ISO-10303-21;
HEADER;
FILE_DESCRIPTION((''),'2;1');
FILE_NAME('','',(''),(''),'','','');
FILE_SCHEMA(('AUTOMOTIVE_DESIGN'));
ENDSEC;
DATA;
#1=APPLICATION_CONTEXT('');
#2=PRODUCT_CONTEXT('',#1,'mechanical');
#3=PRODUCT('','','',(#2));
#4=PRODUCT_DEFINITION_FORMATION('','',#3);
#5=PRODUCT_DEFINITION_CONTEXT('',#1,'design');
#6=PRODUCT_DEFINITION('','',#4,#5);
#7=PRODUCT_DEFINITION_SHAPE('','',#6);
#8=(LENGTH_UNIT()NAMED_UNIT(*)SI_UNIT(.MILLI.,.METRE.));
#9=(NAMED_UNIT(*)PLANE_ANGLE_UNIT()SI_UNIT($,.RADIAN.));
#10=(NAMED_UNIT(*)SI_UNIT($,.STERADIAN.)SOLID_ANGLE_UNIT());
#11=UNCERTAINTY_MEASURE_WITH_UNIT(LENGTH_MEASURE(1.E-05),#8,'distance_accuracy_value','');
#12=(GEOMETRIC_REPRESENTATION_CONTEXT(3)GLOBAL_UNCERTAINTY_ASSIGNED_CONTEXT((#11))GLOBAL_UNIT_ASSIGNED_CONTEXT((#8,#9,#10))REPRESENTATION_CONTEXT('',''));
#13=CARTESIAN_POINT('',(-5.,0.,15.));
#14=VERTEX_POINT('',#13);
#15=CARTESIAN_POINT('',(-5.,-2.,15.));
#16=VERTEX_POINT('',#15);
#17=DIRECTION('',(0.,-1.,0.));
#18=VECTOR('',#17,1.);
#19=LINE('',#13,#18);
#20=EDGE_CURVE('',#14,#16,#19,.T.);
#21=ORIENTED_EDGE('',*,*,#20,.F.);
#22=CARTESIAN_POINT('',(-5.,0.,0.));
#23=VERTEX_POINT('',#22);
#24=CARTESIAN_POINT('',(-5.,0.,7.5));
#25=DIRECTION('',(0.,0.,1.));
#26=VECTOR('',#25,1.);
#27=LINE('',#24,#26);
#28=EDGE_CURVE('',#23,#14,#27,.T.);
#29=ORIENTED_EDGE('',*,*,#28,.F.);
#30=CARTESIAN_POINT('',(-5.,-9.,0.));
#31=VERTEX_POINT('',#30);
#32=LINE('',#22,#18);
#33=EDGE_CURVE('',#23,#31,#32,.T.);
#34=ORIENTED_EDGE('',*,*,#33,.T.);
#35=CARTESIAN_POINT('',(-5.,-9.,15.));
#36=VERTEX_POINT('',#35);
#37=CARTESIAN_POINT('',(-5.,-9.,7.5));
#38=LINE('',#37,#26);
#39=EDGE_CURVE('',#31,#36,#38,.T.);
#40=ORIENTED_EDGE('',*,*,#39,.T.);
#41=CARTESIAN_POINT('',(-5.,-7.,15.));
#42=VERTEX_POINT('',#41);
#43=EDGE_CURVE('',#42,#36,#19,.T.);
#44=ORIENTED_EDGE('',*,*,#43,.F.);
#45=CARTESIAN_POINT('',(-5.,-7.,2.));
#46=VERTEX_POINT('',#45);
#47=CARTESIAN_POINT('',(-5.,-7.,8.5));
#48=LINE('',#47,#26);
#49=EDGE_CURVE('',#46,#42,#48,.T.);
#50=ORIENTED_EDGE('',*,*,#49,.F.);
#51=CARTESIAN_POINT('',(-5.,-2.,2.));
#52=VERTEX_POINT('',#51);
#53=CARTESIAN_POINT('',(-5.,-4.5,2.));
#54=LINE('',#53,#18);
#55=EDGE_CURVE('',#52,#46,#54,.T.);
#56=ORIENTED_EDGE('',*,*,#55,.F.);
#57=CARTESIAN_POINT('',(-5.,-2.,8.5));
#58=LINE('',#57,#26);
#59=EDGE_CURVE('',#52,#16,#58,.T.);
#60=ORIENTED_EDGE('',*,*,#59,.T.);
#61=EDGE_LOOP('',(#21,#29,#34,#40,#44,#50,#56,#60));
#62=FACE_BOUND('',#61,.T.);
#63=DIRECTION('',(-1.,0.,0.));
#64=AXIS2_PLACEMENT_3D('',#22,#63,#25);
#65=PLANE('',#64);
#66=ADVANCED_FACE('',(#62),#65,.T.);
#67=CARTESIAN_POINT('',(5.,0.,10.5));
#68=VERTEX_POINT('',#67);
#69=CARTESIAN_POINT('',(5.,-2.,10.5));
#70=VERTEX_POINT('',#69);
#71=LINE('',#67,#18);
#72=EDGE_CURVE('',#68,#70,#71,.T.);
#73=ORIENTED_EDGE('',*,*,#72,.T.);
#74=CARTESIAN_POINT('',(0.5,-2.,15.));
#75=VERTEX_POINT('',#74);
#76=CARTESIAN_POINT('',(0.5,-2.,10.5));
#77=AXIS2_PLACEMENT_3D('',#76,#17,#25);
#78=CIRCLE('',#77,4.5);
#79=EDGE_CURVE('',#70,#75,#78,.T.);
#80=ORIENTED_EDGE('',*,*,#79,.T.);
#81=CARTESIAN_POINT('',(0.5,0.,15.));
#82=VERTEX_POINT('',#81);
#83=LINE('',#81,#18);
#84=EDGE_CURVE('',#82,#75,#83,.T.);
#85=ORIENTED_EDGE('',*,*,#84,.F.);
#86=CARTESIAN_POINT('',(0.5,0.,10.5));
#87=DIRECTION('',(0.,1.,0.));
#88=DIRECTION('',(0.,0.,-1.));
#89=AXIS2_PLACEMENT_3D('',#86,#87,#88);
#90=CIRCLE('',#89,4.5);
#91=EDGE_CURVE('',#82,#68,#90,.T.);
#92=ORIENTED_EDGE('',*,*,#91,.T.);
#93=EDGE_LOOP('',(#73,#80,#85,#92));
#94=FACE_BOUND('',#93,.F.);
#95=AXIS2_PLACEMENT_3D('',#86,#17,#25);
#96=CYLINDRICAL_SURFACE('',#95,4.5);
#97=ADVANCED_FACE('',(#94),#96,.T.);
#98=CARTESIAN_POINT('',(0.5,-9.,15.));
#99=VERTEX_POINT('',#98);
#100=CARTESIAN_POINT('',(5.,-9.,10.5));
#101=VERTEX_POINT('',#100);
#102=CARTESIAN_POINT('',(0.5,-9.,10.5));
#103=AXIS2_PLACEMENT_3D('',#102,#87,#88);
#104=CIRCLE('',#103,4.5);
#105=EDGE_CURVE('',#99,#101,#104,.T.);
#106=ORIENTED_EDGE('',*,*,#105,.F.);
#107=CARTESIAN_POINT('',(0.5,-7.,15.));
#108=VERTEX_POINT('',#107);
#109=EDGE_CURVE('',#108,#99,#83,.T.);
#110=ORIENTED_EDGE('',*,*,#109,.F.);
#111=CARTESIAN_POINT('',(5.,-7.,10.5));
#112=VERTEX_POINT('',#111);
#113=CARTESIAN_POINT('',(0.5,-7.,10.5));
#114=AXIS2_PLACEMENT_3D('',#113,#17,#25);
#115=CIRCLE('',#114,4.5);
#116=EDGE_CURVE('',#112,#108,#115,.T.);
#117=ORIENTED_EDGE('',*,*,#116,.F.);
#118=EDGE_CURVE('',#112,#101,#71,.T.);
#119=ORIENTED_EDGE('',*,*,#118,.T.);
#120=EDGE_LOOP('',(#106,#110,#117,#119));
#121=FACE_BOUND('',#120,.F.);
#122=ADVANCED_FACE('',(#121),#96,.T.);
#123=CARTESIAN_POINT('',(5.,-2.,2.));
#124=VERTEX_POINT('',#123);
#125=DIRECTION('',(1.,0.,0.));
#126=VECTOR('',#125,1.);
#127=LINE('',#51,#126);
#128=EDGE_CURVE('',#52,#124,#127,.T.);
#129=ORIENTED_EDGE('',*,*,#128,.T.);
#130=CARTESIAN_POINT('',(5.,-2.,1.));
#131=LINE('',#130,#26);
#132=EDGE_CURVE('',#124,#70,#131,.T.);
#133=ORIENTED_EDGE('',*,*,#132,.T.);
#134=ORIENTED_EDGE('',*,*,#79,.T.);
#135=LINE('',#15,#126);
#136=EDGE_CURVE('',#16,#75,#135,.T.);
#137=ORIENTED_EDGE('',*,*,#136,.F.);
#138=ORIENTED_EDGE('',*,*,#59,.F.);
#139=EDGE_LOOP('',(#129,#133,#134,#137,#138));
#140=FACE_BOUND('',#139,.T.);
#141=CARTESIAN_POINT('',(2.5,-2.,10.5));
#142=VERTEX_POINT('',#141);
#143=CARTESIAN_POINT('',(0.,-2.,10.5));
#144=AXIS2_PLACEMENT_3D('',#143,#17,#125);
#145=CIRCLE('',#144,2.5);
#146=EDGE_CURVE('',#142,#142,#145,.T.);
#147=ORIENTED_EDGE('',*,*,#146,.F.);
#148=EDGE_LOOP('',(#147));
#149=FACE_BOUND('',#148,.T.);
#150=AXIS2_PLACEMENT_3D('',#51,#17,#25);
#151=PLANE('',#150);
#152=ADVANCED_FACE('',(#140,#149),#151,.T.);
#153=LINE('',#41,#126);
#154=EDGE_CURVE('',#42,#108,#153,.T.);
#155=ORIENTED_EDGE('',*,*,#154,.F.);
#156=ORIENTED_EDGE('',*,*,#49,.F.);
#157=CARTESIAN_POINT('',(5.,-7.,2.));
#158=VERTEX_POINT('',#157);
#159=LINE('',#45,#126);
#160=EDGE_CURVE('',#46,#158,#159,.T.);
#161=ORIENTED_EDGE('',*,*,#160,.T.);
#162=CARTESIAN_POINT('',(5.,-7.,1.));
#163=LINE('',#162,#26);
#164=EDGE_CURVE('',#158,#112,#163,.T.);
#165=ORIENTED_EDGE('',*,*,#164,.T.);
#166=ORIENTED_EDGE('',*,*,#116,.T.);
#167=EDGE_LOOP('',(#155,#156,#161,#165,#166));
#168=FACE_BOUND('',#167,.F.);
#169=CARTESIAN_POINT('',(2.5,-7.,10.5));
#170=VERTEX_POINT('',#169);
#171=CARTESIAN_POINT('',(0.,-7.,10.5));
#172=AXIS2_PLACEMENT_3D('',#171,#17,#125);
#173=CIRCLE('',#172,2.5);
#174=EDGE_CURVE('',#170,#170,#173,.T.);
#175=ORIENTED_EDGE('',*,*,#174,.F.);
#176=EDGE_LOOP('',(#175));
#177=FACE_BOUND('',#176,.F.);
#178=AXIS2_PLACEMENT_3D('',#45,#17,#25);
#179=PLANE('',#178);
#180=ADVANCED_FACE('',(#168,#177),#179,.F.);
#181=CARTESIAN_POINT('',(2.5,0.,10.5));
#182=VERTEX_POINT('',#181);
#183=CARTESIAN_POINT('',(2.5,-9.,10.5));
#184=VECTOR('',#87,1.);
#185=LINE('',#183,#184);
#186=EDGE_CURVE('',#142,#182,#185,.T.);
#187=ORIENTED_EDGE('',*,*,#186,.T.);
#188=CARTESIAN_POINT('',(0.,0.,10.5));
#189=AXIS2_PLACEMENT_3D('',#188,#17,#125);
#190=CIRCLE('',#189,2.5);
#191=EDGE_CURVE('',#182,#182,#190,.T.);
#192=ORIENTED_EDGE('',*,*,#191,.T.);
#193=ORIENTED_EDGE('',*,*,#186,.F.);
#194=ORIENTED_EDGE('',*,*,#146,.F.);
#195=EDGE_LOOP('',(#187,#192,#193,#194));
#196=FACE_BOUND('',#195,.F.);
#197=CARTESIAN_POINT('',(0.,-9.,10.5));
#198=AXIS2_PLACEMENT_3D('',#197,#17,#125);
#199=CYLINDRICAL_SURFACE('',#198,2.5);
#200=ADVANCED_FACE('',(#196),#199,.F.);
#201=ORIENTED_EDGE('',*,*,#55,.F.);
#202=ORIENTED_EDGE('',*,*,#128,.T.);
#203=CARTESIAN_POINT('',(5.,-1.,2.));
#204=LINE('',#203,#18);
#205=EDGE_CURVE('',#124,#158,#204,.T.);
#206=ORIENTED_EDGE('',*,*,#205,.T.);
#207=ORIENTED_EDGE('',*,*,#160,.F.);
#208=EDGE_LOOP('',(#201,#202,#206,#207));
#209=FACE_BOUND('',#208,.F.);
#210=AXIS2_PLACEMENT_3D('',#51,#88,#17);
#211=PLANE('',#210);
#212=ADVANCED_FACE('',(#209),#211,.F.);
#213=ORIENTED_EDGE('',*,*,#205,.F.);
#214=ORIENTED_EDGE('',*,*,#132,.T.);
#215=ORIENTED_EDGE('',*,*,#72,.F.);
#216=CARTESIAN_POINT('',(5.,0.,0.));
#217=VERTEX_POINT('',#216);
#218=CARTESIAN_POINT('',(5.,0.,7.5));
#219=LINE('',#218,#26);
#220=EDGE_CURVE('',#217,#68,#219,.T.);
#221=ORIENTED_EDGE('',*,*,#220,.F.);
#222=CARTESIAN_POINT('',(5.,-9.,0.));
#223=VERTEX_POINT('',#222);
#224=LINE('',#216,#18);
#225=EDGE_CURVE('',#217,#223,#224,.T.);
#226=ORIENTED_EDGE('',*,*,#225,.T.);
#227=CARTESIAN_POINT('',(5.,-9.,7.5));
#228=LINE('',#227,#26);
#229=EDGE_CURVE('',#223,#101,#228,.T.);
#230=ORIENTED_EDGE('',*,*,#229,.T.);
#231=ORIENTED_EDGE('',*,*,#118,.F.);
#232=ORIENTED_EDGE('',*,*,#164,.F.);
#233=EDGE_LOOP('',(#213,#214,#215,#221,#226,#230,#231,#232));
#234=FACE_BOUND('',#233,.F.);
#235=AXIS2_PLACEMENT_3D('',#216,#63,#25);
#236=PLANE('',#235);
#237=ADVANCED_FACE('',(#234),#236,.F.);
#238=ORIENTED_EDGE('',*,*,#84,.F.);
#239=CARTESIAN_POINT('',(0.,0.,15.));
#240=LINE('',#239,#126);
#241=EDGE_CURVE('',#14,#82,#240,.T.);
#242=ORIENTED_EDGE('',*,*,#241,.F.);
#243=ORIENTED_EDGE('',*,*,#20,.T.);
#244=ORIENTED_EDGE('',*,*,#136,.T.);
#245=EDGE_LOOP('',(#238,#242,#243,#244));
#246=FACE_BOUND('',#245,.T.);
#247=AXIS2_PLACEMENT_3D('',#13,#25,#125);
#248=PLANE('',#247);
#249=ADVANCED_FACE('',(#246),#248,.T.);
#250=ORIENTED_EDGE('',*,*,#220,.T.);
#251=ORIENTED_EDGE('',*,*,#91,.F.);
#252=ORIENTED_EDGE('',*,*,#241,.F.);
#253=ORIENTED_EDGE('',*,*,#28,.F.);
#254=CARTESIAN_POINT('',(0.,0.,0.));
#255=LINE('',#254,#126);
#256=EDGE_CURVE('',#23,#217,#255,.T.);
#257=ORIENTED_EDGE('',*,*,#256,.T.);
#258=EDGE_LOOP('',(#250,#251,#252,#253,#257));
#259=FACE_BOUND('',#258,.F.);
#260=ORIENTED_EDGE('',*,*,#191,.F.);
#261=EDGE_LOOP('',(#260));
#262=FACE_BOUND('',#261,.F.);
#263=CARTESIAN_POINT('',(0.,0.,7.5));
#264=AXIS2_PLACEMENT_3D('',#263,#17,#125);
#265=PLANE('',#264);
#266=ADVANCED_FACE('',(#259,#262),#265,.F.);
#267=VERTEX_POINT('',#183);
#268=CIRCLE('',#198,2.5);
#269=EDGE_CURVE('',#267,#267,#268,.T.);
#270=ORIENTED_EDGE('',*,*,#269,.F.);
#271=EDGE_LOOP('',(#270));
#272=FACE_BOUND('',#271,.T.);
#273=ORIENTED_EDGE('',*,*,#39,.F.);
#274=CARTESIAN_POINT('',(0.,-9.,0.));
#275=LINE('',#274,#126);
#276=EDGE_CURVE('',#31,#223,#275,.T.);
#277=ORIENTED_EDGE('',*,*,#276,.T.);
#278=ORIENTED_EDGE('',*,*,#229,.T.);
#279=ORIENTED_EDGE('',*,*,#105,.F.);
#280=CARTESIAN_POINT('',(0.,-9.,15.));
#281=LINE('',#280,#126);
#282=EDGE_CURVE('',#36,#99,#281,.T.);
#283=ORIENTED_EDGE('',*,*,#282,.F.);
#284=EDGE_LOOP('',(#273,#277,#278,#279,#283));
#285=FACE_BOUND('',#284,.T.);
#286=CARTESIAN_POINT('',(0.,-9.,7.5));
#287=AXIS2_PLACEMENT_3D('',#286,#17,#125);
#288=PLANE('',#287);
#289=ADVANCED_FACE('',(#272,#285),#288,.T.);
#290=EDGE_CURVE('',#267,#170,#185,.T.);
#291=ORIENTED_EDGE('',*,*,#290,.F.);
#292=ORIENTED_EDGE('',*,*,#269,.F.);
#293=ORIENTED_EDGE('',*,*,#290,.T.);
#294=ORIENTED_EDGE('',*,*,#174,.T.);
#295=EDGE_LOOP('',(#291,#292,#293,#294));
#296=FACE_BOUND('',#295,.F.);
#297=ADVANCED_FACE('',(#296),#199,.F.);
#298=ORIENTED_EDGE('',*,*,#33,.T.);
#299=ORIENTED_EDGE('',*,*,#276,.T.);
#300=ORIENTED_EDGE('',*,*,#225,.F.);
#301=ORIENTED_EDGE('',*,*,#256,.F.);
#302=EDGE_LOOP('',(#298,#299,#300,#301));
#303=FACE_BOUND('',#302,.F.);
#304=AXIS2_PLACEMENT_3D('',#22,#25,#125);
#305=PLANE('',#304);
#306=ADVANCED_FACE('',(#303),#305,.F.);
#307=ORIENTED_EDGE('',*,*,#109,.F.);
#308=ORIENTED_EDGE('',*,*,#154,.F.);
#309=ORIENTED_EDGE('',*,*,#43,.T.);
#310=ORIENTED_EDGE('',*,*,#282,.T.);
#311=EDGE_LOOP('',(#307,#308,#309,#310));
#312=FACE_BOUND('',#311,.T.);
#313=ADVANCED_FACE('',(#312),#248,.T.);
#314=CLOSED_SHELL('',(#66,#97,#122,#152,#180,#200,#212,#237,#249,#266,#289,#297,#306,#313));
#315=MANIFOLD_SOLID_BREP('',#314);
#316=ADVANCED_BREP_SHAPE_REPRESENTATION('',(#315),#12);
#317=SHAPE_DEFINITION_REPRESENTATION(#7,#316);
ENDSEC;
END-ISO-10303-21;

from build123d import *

# Parameters (mm, degrees)
F4_W      = 10
F4_H      = 15
F5_DEPTH  = 9
F6_R      = 2.5
F7_DEPTH  = 9.001
F8_R      = 4.5
F9_W      = 5
F9_H      = 13
F10_DEPTH = 10.001


with BuildPart() as f5:
    # F4 (on Front) → F5 (new body)
    with BuildSketch(Plane.XZ):
        with Locations((0, 7.5)):
            Rectangle(F4_W, F4_H)
    extrude(amount=F5_DEPTH)

    # F6 (on face) → F7 (cut, through all)
    with BuildSketch(Plane.XZ.offset(9)):
        with Locations((0, 10.5)):
            Circle(F6_R)
    extrude(amount=-F7_DEPTH, mode=Mode.SUBTRACT)

    # F8
    f8_edges = [f5.edges().sort_by_distance(p)[0] for p in [
        (5, -4.5, 15),
    ]]
    fillet(f8_edges, radius=F8_R)

    # F9 (on face) → F10 (cut, through all)
    with BuildSketch(Plane(origin=(-5, 0, 0), x_dir=(0, -1, 0), z_dir=(-1, 0, 0))):
        with Locations((4.5, 8.5)):
            Rectangle(F9_W, F9_H)
    extrude(amount=-F10_DEPTH, mode=Mode.SUBTRACT)


solid = f5.part
